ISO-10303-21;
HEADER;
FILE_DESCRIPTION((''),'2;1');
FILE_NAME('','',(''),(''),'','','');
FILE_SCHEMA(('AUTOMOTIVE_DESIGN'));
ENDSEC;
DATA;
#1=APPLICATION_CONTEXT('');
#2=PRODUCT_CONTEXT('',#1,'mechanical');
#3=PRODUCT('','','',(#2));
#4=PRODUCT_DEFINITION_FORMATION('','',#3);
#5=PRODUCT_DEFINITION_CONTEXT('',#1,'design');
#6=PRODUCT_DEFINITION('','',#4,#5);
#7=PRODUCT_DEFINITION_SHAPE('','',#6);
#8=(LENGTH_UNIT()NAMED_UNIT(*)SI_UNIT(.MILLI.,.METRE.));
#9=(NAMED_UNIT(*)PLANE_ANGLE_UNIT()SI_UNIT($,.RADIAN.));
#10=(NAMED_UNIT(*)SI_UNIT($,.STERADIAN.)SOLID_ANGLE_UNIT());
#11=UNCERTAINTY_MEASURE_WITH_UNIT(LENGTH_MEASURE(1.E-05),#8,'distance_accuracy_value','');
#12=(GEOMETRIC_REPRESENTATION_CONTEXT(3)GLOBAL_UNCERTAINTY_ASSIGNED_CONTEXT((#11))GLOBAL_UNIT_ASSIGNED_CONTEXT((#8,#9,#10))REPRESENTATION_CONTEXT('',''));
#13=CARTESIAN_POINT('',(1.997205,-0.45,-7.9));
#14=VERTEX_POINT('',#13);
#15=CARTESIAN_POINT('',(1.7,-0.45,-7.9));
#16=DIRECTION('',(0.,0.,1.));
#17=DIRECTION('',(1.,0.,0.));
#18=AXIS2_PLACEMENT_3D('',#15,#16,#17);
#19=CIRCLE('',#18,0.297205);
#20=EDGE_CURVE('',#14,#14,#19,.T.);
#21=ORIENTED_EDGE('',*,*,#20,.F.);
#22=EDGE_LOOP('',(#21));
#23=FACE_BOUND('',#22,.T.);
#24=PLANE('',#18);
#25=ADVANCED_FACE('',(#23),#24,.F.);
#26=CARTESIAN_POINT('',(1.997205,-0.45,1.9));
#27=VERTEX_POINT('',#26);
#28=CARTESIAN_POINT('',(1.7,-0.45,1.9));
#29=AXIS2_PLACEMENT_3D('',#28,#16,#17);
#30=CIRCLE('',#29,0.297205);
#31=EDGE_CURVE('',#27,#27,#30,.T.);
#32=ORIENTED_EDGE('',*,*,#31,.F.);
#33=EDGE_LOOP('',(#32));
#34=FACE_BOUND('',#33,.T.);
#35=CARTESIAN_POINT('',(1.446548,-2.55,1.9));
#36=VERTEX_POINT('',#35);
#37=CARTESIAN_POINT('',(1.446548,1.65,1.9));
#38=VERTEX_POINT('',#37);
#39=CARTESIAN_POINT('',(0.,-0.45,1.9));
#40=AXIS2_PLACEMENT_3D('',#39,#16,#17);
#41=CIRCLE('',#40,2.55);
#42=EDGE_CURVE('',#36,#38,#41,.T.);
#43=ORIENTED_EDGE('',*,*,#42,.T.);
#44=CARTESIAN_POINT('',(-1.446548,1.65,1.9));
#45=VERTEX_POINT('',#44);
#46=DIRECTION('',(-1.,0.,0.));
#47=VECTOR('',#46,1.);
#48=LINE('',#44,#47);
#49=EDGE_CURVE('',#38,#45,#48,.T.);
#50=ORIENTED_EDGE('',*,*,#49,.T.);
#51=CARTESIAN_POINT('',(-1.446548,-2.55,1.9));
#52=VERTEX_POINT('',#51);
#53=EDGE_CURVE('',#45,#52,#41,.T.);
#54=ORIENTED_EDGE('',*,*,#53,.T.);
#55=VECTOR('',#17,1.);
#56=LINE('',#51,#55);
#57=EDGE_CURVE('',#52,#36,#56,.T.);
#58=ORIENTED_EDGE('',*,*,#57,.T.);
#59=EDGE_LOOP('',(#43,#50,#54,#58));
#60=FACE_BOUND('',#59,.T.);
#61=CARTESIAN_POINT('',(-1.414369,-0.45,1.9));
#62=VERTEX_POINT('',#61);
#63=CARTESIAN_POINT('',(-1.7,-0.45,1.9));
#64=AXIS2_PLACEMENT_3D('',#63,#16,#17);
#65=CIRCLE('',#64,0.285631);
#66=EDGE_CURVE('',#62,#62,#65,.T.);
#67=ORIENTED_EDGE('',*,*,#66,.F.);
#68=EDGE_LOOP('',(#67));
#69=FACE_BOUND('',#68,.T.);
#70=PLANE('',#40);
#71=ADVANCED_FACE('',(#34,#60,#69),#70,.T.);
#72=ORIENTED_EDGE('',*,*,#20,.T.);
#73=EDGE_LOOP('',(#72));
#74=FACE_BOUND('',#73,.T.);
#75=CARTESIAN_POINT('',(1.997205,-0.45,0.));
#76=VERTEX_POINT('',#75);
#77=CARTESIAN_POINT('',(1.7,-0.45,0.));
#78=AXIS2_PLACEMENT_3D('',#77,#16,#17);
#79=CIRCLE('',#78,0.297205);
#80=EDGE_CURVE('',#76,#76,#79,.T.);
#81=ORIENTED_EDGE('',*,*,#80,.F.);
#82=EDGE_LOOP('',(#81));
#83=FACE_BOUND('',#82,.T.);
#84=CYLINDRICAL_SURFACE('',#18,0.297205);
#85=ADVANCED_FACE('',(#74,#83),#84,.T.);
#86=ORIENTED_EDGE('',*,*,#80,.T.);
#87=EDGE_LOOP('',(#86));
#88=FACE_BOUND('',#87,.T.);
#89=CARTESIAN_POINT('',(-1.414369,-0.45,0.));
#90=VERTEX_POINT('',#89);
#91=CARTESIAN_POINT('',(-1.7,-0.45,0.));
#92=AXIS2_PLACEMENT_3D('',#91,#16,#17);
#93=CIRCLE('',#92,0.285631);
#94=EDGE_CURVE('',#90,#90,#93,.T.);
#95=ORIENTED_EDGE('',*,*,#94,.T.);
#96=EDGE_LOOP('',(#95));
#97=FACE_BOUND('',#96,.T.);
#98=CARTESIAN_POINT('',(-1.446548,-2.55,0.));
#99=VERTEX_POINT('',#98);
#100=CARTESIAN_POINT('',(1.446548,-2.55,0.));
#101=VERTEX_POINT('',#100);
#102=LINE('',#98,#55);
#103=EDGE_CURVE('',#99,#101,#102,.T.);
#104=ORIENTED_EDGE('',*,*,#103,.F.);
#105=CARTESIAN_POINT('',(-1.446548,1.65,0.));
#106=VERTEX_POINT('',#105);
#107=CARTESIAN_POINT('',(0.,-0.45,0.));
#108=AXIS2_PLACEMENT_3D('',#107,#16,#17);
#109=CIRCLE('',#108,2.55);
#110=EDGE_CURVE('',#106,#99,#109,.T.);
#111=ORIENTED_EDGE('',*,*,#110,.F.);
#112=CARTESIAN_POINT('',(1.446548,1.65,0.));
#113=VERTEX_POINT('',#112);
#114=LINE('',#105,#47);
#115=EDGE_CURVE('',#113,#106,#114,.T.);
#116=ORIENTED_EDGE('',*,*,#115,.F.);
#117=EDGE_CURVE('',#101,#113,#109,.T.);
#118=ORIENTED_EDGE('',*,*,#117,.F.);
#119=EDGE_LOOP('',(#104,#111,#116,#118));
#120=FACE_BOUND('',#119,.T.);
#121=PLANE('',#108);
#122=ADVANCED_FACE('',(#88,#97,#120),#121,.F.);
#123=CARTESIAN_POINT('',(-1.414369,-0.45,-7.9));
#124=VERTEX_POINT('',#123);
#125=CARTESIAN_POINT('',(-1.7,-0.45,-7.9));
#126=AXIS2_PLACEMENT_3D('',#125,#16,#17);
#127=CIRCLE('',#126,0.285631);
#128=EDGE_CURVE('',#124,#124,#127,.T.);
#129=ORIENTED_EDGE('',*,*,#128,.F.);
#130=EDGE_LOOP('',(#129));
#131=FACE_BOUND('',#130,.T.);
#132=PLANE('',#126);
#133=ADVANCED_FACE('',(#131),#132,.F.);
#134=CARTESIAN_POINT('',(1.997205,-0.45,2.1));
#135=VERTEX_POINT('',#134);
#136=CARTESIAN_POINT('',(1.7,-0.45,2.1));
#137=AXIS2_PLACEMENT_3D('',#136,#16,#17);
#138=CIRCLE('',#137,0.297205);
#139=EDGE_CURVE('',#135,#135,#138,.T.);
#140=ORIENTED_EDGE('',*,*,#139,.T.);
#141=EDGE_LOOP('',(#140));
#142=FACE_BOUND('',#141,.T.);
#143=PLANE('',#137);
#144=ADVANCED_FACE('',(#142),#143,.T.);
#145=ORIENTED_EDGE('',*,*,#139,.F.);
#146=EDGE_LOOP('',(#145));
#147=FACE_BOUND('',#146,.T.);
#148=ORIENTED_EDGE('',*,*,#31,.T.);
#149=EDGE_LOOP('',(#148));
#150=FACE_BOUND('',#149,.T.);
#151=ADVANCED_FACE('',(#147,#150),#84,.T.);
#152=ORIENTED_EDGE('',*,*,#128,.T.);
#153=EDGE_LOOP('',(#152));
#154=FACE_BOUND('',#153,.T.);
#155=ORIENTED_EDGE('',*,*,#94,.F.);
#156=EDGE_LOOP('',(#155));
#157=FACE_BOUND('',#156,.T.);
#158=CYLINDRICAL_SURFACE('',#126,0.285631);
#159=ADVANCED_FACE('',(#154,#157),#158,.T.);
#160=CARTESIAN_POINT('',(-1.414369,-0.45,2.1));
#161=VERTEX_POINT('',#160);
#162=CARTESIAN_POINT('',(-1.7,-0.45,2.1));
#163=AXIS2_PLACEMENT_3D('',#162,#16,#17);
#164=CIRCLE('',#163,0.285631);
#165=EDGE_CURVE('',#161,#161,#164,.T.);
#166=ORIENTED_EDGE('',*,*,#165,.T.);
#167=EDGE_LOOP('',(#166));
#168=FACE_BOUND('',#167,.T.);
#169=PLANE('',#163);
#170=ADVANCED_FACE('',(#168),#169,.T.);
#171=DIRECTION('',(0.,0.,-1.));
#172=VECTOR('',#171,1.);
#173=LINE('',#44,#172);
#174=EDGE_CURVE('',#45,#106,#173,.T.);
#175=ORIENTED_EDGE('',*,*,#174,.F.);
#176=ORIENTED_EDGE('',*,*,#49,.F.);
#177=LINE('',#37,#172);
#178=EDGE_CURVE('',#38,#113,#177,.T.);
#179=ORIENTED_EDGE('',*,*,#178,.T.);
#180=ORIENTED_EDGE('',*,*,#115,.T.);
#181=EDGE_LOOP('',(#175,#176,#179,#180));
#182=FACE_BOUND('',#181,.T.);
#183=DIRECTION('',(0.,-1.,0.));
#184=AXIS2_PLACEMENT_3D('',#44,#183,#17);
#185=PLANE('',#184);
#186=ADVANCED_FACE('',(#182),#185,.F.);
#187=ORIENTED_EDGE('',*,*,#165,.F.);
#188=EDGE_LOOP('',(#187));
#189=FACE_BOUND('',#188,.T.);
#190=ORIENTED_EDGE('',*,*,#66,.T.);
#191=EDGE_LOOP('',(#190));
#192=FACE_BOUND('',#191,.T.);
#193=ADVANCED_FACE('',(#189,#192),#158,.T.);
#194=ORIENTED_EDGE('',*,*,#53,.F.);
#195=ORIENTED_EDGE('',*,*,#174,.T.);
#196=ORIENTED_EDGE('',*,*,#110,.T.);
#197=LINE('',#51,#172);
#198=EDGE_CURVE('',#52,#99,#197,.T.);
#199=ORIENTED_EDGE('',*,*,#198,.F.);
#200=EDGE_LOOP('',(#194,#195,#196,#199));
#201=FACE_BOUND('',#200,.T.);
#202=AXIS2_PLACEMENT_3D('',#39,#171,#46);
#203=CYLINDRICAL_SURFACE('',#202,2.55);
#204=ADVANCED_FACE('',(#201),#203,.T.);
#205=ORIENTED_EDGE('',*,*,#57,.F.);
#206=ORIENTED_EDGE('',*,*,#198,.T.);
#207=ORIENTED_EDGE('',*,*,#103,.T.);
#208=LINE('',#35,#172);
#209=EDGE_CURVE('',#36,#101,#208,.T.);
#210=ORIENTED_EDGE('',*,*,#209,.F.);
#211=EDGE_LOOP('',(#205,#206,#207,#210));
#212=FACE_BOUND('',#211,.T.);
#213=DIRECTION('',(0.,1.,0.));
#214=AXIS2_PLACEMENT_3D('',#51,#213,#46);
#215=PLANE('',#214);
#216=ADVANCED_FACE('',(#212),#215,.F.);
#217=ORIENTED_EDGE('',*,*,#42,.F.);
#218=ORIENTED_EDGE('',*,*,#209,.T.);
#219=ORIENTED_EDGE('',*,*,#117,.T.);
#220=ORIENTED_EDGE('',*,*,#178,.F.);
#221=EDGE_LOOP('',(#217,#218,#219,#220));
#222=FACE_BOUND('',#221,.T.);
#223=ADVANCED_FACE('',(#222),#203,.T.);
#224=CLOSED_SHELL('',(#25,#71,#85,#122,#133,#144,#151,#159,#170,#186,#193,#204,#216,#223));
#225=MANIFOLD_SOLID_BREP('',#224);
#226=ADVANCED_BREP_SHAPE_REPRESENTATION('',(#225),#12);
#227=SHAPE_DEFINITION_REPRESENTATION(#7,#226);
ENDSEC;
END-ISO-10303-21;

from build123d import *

# Parameters (mm, degrees)
RESSALTO_EXTRUS_O1_DEPTH = 1.9
ESBO_O3_R                = 0.297205441
ESBO_O3_R_2              = 0.285630525
RESSALTO_EXTRUS_O2_DEPTH = 10


with BuildPart() as part:
    # Esboço2 → Ressalto-extrusão1 (new body)
    with BuildSketch(Plane.XY):
        with BuildLine():
            Line((-1.446547614, -2.55), (1.446547614, -2.55))
            ThreePointArc((1.446547614, -2.55), (2.55, -0.45), (1.446547614, 1.65))
            Line((1.446547614, 1.65), (-1.446547614, 1.65))
            ThreePointArc((-1.446547614, 1.65), (-2.55, -0.45), (-1.446547614, -2.55))
        make_face()
    extrude(amount=RESSALTO_EXTRUS_O1_DEPTH)

    # Esboço3 → Ressalto-extrusão2 (add)
    with BuildSketch(Plane.XY.offset(2.1)):
        with Locations((1.7, -0.45)):
            Circle(ESBO_O3_R)
        with Locations((-1.7, -0.45)):
            Circle(ESBO_O3_R_2)
    extrude(amount=-RESSALTO_EXTRUS_O2_DEPTH)


solid = part.part
